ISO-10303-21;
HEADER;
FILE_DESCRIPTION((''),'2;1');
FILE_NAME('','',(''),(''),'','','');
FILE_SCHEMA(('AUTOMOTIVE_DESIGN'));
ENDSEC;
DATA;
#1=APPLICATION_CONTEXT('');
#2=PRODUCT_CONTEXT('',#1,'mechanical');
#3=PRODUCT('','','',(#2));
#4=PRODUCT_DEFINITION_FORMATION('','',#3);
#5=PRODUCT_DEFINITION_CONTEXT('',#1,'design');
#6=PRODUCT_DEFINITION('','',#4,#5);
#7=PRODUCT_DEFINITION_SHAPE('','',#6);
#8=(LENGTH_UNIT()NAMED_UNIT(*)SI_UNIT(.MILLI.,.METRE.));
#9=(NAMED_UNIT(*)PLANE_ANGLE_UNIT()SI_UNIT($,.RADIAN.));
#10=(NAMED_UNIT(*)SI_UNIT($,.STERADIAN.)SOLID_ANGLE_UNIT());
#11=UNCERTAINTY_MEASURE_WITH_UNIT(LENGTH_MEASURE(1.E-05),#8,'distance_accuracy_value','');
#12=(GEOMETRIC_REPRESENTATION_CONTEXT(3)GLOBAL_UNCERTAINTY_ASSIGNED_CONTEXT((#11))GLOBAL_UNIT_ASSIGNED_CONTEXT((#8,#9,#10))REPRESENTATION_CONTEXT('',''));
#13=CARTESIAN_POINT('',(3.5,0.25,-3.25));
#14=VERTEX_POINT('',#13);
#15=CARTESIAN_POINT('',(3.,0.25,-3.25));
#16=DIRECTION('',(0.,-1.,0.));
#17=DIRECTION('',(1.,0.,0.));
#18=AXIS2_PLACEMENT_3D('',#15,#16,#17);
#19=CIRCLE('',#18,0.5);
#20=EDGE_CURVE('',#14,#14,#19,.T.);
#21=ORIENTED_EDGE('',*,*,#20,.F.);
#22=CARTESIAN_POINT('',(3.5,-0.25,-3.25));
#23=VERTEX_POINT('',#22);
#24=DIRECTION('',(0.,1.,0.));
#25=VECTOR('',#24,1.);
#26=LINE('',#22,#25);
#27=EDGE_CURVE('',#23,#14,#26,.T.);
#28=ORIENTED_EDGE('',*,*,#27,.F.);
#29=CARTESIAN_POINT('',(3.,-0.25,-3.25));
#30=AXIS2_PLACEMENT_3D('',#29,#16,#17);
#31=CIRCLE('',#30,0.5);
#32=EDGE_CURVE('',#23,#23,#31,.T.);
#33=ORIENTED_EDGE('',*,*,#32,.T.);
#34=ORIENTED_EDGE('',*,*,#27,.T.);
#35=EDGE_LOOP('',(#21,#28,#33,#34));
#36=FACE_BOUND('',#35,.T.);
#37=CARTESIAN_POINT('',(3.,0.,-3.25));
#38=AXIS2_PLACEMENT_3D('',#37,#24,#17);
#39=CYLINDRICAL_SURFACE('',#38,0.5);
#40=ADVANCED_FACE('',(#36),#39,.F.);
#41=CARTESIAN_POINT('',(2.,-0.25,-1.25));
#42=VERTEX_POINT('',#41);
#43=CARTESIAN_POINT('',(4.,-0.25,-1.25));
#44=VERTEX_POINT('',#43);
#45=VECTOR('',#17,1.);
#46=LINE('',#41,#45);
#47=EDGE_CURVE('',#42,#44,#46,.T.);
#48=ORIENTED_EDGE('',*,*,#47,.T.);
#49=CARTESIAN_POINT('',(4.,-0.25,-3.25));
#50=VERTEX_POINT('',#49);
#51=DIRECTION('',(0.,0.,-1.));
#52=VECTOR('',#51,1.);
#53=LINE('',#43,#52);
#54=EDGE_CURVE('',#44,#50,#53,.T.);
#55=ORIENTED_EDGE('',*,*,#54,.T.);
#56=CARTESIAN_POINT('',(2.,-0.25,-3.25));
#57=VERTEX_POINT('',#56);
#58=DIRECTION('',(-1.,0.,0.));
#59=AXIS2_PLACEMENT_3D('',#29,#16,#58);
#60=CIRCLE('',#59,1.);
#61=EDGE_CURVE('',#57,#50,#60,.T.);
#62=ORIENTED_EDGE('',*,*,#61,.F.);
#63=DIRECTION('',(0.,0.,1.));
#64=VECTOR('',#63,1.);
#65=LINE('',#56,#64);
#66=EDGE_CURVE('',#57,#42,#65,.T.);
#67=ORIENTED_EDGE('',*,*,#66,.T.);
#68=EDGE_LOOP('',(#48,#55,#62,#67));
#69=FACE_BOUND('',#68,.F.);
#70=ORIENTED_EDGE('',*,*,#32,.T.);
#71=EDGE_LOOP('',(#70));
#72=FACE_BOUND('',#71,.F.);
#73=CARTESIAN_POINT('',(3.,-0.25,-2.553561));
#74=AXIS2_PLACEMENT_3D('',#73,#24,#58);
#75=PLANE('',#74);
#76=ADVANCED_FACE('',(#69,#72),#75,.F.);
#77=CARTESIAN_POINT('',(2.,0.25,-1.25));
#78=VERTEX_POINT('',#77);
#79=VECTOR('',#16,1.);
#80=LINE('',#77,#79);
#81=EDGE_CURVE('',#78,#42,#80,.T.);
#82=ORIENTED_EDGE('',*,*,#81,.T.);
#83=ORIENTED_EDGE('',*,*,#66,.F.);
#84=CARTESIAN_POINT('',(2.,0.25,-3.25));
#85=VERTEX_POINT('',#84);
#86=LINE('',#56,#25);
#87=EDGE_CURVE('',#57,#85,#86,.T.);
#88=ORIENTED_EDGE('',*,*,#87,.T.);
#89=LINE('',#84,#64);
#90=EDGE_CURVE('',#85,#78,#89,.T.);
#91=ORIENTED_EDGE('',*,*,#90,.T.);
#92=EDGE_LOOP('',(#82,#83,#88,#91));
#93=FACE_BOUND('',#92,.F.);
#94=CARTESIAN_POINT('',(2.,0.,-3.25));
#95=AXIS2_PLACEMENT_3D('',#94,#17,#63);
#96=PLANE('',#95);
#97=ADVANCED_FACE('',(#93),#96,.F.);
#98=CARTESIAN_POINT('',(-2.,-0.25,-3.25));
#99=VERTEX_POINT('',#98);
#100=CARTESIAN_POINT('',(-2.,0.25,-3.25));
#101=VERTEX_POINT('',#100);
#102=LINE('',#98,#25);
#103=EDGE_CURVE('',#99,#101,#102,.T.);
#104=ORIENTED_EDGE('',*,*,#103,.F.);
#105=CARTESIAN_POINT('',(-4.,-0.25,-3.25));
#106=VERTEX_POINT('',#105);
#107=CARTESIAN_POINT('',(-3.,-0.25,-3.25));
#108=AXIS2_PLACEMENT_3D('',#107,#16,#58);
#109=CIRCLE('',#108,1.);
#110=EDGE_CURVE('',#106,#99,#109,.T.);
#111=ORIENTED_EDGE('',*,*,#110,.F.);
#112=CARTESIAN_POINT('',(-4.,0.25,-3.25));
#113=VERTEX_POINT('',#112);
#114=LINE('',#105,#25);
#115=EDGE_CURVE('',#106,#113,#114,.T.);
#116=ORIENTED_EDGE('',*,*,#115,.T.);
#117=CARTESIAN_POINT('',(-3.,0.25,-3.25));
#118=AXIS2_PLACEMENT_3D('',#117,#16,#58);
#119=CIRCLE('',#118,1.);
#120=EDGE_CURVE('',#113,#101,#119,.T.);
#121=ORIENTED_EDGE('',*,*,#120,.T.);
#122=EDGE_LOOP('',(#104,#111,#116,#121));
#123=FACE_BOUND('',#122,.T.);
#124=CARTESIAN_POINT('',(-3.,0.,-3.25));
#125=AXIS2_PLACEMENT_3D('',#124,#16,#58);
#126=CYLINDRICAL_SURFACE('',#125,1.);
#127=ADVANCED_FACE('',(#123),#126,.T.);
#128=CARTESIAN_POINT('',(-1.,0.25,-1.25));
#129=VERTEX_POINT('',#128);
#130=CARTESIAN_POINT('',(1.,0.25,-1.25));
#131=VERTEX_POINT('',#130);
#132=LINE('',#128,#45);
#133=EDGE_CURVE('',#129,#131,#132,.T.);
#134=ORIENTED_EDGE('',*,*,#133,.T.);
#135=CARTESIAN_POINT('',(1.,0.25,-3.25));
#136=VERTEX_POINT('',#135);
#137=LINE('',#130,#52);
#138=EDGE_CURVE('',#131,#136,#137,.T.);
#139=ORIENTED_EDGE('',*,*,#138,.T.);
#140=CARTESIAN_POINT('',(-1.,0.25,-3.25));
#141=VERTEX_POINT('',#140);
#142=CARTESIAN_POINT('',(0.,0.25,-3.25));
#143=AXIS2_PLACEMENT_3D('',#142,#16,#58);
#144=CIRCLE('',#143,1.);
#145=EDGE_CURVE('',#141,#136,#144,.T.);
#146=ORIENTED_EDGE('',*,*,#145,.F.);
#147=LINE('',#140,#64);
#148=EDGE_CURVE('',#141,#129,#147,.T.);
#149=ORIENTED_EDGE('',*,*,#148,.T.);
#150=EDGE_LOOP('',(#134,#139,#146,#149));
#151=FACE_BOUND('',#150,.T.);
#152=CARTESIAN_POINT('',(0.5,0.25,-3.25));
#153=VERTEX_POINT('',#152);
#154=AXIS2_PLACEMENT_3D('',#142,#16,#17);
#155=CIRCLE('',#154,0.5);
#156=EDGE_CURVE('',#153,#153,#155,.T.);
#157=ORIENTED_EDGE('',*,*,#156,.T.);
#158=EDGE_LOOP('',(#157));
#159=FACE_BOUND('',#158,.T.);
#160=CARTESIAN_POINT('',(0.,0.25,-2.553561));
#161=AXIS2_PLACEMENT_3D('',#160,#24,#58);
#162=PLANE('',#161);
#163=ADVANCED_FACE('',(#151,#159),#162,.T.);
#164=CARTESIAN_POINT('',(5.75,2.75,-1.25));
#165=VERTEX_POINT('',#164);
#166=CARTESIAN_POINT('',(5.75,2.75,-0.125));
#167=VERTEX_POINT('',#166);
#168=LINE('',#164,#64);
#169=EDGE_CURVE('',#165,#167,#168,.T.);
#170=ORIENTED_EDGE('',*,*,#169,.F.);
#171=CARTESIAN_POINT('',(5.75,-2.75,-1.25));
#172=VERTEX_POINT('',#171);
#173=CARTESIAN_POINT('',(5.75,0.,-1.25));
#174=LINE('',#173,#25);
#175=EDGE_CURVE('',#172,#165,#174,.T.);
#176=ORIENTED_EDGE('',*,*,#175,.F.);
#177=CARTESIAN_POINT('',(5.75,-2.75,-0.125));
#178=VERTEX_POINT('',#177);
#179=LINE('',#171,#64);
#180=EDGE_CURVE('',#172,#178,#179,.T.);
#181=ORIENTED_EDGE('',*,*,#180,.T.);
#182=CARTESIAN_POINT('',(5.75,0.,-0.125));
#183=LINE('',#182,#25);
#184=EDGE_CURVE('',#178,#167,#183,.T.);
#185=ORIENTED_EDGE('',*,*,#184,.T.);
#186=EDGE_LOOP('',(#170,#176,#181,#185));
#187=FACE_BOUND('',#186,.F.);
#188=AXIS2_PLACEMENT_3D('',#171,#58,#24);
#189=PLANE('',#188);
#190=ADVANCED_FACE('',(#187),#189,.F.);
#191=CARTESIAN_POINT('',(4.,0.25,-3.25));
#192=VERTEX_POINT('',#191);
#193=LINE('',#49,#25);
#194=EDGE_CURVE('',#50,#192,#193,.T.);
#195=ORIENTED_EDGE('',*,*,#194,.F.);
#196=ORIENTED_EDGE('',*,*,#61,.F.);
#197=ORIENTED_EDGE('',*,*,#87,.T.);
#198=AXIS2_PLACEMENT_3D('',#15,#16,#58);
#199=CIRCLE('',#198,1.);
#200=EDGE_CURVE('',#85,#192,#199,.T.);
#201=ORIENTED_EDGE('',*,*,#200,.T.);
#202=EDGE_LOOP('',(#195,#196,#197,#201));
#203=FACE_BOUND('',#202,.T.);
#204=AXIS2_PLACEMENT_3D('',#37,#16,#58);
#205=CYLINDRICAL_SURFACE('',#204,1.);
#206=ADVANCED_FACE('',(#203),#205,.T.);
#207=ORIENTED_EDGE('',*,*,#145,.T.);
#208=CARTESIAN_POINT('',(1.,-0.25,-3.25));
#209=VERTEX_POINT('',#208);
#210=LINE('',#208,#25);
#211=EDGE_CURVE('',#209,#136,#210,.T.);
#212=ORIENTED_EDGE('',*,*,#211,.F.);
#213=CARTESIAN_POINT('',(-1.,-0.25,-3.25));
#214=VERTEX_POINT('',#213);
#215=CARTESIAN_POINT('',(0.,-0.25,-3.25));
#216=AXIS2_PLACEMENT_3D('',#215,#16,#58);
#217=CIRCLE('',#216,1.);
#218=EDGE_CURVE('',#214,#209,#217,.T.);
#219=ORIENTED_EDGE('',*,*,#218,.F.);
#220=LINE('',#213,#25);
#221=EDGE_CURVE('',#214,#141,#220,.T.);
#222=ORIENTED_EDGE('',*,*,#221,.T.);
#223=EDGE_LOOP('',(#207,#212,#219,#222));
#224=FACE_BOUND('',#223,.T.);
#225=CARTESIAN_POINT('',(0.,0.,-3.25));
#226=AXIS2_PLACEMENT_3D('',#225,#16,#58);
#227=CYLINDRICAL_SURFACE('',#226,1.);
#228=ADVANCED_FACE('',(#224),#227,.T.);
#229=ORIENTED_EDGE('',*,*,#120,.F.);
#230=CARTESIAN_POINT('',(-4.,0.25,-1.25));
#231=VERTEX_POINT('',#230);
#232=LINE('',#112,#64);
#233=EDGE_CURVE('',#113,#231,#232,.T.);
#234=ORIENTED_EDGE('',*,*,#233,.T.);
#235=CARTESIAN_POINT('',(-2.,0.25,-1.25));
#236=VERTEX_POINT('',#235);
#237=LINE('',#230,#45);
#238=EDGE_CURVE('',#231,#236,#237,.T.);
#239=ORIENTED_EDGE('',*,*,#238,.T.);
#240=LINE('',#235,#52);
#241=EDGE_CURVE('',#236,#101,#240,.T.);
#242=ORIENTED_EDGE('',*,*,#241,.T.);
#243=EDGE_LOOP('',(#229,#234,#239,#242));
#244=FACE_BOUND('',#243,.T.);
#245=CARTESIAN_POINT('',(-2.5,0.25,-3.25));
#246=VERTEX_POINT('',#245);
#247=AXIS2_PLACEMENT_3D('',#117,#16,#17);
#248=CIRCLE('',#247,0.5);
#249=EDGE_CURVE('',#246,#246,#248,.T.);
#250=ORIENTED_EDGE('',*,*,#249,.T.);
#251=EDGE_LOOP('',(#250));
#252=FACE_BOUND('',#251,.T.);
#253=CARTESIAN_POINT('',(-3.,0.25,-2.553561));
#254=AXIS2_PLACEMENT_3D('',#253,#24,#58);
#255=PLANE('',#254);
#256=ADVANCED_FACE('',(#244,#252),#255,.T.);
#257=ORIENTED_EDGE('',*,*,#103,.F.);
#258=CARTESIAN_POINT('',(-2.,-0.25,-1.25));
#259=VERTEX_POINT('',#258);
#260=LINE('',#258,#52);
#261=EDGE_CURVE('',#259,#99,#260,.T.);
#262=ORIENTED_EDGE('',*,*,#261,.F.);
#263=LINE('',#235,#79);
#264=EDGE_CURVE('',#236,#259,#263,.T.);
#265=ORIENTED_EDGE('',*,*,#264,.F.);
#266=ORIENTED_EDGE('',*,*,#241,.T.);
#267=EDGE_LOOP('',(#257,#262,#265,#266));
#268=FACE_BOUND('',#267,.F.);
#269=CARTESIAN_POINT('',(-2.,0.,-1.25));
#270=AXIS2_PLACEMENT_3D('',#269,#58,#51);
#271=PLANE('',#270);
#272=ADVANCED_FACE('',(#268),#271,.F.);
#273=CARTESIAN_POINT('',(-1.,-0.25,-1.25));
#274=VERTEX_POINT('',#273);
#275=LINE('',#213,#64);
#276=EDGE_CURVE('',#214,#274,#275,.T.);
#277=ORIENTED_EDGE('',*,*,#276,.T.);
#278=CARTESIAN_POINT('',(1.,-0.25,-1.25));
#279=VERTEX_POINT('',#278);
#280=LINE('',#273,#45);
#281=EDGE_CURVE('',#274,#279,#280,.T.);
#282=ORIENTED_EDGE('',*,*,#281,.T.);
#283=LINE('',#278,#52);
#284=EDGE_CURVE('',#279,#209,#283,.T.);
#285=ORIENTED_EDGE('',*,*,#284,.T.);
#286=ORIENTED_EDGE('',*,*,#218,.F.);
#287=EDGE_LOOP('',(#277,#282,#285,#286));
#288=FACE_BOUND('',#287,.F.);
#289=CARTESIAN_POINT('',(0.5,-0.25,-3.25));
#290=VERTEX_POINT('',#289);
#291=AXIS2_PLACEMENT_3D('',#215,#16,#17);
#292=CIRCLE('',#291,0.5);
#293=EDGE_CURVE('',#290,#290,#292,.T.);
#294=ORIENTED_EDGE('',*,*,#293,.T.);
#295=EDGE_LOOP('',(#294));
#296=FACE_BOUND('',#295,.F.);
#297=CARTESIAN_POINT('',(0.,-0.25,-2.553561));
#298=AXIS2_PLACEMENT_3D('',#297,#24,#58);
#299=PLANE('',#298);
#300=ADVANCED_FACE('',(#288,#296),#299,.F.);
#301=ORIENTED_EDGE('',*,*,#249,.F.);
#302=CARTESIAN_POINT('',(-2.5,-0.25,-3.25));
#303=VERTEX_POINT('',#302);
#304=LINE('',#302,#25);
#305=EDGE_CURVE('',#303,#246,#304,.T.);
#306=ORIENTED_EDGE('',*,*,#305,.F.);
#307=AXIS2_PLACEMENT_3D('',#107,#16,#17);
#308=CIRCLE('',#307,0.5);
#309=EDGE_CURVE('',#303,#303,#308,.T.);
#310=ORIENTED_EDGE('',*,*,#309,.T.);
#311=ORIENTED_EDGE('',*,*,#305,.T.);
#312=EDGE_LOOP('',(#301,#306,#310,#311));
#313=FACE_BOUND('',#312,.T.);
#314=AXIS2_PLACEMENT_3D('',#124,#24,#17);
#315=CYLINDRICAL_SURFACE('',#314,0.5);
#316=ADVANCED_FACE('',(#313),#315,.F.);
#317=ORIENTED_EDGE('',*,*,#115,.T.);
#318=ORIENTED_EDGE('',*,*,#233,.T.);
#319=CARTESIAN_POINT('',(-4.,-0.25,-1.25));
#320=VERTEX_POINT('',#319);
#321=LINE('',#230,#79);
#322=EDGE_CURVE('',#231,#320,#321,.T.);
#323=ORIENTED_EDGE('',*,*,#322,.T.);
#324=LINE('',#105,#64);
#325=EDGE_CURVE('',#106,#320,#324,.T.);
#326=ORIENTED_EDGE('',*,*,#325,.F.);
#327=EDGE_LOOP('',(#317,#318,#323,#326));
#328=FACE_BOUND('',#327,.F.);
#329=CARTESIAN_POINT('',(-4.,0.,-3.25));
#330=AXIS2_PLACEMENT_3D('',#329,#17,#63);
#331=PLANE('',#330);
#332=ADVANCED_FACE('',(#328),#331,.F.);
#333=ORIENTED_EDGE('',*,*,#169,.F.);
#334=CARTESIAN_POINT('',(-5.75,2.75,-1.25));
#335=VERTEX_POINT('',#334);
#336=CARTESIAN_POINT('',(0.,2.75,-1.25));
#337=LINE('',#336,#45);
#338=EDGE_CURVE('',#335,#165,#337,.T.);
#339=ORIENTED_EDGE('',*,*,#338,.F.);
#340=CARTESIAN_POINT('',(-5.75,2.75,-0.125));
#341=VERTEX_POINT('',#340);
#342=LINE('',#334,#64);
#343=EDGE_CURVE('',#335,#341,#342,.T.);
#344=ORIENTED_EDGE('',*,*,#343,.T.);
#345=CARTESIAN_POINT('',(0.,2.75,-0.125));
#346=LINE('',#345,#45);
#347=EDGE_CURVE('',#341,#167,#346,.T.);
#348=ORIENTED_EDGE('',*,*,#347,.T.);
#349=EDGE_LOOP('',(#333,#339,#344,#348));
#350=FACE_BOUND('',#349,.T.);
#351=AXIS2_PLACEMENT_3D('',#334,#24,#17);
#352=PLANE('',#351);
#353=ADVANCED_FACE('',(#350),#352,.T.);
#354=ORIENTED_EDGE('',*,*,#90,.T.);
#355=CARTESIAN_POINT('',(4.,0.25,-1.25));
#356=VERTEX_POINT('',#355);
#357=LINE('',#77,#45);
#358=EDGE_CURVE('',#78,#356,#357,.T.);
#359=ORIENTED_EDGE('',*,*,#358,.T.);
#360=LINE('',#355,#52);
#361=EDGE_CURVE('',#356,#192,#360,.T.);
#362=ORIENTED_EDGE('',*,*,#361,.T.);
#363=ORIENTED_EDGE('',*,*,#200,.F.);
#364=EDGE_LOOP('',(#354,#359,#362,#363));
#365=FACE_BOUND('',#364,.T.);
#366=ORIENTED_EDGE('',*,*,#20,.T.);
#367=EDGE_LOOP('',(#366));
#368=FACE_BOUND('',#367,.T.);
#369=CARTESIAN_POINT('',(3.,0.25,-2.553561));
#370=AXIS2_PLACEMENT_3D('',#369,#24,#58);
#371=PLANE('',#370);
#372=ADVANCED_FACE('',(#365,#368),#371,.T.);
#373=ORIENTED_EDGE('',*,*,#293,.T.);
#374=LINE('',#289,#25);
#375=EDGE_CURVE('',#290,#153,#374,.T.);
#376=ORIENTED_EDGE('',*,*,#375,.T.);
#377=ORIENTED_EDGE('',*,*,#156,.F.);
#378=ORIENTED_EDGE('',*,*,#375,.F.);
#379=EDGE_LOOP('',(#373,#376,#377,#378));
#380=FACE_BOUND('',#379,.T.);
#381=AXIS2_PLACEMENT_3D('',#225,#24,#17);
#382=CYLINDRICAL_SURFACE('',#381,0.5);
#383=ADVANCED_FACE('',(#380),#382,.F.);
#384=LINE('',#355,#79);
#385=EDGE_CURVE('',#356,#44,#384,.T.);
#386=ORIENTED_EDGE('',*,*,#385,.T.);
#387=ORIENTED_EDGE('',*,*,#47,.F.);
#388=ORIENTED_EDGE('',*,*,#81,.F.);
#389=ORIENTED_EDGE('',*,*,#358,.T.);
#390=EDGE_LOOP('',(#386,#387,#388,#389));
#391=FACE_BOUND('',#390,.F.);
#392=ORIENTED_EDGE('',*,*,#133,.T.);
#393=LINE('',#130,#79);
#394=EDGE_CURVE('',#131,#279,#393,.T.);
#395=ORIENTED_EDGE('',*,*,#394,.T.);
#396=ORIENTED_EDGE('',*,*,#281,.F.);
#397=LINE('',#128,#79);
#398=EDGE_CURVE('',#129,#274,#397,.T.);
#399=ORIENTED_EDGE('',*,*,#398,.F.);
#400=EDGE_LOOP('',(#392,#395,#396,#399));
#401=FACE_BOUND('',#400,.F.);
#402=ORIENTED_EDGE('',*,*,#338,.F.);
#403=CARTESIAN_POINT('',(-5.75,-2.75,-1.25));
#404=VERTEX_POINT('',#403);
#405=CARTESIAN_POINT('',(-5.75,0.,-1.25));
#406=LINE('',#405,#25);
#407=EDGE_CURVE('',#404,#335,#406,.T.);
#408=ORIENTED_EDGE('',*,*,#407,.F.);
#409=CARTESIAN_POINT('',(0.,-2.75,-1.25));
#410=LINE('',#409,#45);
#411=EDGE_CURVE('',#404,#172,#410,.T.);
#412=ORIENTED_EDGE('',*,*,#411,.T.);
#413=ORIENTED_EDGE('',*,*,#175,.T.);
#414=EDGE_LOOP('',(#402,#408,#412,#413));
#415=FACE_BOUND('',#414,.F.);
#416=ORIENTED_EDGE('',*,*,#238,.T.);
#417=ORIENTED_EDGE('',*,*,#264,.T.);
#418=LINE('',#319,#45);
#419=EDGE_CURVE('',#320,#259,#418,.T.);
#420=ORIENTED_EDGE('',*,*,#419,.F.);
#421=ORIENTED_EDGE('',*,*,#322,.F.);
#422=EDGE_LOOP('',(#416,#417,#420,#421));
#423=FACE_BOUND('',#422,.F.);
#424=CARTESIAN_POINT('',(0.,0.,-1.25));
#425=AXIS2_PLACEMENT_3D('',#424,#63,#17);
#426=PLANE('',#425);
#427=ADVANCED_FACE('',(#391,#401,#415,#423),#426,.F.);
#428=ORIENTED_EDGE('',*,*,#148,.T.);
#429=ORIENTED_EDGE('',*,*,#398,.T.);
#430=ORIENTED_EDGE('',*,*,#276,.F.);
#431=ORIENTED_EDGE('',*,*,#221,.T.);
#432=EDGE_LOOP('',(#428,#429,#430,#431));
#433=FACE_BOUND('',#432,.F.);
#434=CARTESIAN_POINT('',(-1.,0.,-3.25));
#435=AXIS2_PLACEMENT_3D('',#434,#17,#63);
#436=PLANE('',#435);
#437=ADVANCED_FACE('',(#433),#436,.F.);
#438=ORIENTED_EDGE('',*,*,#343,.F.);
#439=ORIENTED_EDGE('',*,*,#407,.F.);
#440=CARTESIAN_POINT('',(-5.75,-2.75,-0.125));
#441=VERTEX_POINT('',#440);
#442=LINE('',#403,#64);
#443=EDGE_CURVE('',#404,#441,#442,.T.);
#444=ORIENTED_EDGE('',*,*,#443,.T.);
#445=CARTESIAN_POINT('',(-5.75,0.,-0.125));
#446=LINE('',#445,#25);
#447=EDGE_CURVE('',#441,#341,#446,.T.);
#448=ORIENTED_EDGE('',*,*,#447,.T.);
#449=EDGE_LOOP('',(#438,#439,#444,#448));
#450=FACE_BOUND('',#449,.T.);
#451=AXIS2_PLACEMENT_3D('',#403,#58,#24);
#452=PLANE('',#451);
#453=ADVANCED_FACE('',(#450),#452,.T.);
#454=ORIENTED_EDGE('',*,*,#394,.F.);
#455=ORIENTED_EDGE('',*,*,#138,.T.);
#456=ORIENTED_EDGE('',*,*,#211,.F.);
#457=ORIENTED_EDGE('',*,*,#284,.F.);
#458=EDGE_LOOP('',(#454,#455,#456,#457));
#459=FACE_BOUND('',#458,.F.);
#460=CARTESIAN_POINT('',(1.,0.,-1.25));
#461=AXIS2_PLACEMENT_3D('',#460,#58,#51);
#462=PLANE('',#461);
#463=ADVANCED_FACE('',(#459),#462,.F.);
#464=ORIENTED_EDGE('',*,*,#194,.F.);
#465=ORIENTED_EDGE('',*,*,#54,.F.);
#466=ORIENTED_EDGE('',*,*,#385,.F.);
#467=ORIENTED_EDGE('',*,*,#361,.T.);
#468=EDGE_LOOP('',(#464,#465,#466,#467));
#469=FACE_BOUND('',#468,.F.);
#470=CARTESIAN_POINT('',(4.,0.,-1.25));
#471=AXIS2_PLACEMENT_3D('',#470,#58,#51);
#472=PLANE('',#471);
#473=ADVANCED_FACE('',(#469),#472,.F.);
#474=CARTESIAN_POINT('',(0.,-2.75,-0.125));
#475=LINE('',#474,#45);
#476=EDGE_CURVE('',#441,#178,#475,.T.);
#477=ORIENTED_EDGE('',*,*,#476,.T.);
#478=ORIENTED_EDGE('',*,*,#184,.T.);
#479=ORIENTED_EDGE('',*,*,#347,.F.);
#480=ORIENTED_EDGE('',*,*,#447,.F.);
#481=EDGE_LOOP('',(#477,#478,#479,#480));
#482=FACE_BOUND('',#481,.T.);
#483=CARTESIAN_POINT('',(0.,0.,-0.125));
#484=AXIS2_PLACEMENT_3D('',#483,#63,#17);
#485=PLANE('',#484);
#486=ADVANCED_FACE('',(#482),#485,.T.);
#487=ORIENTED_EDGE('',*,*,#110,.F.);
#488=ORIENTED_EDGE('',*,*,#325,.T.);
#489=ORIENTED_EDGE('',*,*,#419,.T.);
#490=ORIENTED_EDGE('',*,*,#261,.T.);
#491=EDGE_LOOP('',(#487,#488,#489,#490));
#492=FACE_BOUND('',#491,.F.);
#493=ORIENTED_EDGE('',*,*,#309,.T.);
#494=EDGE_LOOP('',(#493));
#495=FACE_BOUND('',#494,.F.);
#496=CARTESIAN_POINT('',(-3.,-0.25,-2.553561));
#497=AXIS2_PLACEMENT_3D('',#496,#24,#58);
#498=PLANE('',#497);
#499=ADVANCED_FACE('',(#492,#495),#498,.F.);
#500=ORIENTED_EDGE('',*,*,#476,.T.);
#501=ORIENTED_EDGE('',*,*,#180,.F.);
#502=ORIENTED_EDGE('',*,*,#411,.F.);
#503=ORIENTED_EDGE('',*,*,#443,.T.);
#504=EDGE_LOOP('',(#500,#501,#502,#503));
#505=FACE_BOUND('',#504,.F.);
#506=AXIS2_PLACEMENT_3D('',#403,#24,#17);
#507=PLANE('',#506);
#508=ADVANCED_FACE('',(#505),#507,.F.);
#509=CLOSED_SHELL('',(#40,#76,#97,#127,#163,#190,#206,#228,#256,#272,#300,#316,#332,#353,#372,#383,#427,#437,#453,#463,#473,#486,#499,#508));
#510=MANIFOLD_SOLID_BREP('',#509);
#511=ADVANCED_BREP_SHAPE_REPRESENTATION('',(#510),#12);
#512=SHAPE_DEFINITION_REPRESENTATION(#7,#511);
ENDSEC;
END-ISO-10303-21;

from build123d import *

# Parameters (mm, degrees)
SKETCH006_R  = 0.5
PAD003_DEPTH = 0.25
BOX_W        = 11.5
BOX_H        = 5.5
BOX_DEPTH    = 1.125


with BuildPart() as pin_pad:
    # Sketch006 → Pad003 (new body, symmetric)
    with BuildSketch(Plane.XZ):
        with BuildLine():
            Line((1, -1.25), (1, -3.25))
            ThreePointArc((-1, -3.25), (0, -4.25), (1, -3.25))
            Line((-1, -3.25), (-1, -1.25))
            Line((-1, -1.25), (1, -1.25))
        make_face()
        with Locations((0, -3.25)):
            Circle(SKETCH006_R, mode=Mode.SUBTRACT)
    extrude(amount=PAD003_DEPTH, both=True)


with BuildPart() as pin_right:
    # Clone base: copy of pin-pad
    add(pin_pad.part)


with BuildPart() as pin_right_1:
    # Clone placement: moved
    add(pin_right.part.moved(Location((3, 0, 0))))


with BuildPart() as pin_left:
    # Clone001 base: copy of pin-pad
    add(pin_pad.part)


with BuildPart() as pin_left_1:
    # Clone001 placement: moved
    add(pin_left.part.moved(Location((-3, 0, 0))))


with BuildPart() as board_cube:
    # Box → Box (new body)
    with BuildSketch(Plane(origin=(-5.75, -2.75, -1.25), x_dir=(1, 0, 0), z_dir=(0, 0, 1))):
        with Locations((5.75, 2.75)):
            Rectangle(BOX_W, BOX_H)
    extrude(amount=BOX_DEPTH)


with BuildPart() as slide_switch_board:
    # Fusion base: copy of pin-pad
    add(pin_pad.part)

    # Fusion: union pin-right, pin-left, board-cube
    add(pin_right_1.part)
    add(pin_left_1.part)
    add(board_cube.part)


solid = slide_switch_board.part
